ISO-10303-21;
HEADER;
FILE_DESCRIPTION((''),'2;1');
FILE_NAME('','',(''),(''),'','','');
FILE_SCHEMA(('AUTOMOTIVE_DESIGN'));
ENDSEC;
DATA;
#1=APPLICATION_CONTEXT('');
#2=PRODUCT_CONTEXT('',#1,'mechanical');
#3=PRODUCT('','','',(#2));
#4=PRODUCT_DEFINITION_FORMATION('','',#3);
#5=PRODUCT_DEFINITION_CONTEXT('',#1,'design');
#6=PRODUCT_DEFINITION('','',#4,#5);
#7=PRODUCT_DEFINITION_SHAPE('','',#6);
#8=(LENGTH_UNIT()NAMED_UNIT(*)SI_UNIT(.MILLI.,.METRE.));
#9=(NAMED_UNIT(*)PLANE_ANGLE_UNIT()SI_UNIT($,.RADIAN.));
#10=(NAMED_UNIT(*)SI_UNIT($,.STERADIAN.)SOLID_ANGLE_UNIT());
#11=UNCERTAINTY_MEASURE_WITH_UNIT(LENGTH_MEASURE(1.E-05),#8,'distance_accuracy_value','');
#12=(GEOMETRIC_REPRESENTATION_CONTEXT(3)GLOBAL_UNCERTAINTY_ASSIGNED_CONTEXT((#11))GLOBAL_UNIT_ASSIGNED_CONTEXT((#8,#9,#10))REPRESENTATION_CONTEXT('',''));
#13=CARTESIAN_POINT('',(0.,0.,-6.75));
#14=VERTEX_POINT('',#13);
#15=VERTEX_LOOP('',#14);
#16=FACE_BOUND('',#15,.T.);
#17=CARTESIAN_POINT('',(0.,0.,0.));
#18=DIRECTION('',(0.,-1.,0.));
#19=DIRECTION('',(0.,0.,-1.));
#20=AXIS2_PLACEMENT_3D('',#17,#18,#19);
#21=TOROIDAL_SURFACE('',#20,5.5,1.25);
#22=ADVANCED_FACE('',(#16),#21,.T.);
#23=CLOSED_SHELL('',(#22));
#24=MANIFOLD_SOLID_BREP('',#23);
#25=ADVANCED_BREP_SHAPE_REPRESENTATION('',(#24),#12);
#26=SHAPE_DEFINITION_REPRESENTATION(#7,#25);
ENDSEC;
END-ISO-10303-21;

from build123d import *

# Parameters (mm, degrees)
SKETCH_1_R = 1.25


with BuildPart() as part:
    # 草图1 → 旋转1 (revolve)
    with BuildSketch(Plane.XY, mode=Mode.PRIVATE) as revolve_1_sk:
        with Locations((-5.5, 0)):
            Circle(SKETCH_1_R)
    revolve(revolve_1_sk.sketch.rotate(Axis((0, 0, 0), (0, 1, 0)), 270), axis=Axis((0, 0, 0), (0, 1, 0)))


solid = part.part
